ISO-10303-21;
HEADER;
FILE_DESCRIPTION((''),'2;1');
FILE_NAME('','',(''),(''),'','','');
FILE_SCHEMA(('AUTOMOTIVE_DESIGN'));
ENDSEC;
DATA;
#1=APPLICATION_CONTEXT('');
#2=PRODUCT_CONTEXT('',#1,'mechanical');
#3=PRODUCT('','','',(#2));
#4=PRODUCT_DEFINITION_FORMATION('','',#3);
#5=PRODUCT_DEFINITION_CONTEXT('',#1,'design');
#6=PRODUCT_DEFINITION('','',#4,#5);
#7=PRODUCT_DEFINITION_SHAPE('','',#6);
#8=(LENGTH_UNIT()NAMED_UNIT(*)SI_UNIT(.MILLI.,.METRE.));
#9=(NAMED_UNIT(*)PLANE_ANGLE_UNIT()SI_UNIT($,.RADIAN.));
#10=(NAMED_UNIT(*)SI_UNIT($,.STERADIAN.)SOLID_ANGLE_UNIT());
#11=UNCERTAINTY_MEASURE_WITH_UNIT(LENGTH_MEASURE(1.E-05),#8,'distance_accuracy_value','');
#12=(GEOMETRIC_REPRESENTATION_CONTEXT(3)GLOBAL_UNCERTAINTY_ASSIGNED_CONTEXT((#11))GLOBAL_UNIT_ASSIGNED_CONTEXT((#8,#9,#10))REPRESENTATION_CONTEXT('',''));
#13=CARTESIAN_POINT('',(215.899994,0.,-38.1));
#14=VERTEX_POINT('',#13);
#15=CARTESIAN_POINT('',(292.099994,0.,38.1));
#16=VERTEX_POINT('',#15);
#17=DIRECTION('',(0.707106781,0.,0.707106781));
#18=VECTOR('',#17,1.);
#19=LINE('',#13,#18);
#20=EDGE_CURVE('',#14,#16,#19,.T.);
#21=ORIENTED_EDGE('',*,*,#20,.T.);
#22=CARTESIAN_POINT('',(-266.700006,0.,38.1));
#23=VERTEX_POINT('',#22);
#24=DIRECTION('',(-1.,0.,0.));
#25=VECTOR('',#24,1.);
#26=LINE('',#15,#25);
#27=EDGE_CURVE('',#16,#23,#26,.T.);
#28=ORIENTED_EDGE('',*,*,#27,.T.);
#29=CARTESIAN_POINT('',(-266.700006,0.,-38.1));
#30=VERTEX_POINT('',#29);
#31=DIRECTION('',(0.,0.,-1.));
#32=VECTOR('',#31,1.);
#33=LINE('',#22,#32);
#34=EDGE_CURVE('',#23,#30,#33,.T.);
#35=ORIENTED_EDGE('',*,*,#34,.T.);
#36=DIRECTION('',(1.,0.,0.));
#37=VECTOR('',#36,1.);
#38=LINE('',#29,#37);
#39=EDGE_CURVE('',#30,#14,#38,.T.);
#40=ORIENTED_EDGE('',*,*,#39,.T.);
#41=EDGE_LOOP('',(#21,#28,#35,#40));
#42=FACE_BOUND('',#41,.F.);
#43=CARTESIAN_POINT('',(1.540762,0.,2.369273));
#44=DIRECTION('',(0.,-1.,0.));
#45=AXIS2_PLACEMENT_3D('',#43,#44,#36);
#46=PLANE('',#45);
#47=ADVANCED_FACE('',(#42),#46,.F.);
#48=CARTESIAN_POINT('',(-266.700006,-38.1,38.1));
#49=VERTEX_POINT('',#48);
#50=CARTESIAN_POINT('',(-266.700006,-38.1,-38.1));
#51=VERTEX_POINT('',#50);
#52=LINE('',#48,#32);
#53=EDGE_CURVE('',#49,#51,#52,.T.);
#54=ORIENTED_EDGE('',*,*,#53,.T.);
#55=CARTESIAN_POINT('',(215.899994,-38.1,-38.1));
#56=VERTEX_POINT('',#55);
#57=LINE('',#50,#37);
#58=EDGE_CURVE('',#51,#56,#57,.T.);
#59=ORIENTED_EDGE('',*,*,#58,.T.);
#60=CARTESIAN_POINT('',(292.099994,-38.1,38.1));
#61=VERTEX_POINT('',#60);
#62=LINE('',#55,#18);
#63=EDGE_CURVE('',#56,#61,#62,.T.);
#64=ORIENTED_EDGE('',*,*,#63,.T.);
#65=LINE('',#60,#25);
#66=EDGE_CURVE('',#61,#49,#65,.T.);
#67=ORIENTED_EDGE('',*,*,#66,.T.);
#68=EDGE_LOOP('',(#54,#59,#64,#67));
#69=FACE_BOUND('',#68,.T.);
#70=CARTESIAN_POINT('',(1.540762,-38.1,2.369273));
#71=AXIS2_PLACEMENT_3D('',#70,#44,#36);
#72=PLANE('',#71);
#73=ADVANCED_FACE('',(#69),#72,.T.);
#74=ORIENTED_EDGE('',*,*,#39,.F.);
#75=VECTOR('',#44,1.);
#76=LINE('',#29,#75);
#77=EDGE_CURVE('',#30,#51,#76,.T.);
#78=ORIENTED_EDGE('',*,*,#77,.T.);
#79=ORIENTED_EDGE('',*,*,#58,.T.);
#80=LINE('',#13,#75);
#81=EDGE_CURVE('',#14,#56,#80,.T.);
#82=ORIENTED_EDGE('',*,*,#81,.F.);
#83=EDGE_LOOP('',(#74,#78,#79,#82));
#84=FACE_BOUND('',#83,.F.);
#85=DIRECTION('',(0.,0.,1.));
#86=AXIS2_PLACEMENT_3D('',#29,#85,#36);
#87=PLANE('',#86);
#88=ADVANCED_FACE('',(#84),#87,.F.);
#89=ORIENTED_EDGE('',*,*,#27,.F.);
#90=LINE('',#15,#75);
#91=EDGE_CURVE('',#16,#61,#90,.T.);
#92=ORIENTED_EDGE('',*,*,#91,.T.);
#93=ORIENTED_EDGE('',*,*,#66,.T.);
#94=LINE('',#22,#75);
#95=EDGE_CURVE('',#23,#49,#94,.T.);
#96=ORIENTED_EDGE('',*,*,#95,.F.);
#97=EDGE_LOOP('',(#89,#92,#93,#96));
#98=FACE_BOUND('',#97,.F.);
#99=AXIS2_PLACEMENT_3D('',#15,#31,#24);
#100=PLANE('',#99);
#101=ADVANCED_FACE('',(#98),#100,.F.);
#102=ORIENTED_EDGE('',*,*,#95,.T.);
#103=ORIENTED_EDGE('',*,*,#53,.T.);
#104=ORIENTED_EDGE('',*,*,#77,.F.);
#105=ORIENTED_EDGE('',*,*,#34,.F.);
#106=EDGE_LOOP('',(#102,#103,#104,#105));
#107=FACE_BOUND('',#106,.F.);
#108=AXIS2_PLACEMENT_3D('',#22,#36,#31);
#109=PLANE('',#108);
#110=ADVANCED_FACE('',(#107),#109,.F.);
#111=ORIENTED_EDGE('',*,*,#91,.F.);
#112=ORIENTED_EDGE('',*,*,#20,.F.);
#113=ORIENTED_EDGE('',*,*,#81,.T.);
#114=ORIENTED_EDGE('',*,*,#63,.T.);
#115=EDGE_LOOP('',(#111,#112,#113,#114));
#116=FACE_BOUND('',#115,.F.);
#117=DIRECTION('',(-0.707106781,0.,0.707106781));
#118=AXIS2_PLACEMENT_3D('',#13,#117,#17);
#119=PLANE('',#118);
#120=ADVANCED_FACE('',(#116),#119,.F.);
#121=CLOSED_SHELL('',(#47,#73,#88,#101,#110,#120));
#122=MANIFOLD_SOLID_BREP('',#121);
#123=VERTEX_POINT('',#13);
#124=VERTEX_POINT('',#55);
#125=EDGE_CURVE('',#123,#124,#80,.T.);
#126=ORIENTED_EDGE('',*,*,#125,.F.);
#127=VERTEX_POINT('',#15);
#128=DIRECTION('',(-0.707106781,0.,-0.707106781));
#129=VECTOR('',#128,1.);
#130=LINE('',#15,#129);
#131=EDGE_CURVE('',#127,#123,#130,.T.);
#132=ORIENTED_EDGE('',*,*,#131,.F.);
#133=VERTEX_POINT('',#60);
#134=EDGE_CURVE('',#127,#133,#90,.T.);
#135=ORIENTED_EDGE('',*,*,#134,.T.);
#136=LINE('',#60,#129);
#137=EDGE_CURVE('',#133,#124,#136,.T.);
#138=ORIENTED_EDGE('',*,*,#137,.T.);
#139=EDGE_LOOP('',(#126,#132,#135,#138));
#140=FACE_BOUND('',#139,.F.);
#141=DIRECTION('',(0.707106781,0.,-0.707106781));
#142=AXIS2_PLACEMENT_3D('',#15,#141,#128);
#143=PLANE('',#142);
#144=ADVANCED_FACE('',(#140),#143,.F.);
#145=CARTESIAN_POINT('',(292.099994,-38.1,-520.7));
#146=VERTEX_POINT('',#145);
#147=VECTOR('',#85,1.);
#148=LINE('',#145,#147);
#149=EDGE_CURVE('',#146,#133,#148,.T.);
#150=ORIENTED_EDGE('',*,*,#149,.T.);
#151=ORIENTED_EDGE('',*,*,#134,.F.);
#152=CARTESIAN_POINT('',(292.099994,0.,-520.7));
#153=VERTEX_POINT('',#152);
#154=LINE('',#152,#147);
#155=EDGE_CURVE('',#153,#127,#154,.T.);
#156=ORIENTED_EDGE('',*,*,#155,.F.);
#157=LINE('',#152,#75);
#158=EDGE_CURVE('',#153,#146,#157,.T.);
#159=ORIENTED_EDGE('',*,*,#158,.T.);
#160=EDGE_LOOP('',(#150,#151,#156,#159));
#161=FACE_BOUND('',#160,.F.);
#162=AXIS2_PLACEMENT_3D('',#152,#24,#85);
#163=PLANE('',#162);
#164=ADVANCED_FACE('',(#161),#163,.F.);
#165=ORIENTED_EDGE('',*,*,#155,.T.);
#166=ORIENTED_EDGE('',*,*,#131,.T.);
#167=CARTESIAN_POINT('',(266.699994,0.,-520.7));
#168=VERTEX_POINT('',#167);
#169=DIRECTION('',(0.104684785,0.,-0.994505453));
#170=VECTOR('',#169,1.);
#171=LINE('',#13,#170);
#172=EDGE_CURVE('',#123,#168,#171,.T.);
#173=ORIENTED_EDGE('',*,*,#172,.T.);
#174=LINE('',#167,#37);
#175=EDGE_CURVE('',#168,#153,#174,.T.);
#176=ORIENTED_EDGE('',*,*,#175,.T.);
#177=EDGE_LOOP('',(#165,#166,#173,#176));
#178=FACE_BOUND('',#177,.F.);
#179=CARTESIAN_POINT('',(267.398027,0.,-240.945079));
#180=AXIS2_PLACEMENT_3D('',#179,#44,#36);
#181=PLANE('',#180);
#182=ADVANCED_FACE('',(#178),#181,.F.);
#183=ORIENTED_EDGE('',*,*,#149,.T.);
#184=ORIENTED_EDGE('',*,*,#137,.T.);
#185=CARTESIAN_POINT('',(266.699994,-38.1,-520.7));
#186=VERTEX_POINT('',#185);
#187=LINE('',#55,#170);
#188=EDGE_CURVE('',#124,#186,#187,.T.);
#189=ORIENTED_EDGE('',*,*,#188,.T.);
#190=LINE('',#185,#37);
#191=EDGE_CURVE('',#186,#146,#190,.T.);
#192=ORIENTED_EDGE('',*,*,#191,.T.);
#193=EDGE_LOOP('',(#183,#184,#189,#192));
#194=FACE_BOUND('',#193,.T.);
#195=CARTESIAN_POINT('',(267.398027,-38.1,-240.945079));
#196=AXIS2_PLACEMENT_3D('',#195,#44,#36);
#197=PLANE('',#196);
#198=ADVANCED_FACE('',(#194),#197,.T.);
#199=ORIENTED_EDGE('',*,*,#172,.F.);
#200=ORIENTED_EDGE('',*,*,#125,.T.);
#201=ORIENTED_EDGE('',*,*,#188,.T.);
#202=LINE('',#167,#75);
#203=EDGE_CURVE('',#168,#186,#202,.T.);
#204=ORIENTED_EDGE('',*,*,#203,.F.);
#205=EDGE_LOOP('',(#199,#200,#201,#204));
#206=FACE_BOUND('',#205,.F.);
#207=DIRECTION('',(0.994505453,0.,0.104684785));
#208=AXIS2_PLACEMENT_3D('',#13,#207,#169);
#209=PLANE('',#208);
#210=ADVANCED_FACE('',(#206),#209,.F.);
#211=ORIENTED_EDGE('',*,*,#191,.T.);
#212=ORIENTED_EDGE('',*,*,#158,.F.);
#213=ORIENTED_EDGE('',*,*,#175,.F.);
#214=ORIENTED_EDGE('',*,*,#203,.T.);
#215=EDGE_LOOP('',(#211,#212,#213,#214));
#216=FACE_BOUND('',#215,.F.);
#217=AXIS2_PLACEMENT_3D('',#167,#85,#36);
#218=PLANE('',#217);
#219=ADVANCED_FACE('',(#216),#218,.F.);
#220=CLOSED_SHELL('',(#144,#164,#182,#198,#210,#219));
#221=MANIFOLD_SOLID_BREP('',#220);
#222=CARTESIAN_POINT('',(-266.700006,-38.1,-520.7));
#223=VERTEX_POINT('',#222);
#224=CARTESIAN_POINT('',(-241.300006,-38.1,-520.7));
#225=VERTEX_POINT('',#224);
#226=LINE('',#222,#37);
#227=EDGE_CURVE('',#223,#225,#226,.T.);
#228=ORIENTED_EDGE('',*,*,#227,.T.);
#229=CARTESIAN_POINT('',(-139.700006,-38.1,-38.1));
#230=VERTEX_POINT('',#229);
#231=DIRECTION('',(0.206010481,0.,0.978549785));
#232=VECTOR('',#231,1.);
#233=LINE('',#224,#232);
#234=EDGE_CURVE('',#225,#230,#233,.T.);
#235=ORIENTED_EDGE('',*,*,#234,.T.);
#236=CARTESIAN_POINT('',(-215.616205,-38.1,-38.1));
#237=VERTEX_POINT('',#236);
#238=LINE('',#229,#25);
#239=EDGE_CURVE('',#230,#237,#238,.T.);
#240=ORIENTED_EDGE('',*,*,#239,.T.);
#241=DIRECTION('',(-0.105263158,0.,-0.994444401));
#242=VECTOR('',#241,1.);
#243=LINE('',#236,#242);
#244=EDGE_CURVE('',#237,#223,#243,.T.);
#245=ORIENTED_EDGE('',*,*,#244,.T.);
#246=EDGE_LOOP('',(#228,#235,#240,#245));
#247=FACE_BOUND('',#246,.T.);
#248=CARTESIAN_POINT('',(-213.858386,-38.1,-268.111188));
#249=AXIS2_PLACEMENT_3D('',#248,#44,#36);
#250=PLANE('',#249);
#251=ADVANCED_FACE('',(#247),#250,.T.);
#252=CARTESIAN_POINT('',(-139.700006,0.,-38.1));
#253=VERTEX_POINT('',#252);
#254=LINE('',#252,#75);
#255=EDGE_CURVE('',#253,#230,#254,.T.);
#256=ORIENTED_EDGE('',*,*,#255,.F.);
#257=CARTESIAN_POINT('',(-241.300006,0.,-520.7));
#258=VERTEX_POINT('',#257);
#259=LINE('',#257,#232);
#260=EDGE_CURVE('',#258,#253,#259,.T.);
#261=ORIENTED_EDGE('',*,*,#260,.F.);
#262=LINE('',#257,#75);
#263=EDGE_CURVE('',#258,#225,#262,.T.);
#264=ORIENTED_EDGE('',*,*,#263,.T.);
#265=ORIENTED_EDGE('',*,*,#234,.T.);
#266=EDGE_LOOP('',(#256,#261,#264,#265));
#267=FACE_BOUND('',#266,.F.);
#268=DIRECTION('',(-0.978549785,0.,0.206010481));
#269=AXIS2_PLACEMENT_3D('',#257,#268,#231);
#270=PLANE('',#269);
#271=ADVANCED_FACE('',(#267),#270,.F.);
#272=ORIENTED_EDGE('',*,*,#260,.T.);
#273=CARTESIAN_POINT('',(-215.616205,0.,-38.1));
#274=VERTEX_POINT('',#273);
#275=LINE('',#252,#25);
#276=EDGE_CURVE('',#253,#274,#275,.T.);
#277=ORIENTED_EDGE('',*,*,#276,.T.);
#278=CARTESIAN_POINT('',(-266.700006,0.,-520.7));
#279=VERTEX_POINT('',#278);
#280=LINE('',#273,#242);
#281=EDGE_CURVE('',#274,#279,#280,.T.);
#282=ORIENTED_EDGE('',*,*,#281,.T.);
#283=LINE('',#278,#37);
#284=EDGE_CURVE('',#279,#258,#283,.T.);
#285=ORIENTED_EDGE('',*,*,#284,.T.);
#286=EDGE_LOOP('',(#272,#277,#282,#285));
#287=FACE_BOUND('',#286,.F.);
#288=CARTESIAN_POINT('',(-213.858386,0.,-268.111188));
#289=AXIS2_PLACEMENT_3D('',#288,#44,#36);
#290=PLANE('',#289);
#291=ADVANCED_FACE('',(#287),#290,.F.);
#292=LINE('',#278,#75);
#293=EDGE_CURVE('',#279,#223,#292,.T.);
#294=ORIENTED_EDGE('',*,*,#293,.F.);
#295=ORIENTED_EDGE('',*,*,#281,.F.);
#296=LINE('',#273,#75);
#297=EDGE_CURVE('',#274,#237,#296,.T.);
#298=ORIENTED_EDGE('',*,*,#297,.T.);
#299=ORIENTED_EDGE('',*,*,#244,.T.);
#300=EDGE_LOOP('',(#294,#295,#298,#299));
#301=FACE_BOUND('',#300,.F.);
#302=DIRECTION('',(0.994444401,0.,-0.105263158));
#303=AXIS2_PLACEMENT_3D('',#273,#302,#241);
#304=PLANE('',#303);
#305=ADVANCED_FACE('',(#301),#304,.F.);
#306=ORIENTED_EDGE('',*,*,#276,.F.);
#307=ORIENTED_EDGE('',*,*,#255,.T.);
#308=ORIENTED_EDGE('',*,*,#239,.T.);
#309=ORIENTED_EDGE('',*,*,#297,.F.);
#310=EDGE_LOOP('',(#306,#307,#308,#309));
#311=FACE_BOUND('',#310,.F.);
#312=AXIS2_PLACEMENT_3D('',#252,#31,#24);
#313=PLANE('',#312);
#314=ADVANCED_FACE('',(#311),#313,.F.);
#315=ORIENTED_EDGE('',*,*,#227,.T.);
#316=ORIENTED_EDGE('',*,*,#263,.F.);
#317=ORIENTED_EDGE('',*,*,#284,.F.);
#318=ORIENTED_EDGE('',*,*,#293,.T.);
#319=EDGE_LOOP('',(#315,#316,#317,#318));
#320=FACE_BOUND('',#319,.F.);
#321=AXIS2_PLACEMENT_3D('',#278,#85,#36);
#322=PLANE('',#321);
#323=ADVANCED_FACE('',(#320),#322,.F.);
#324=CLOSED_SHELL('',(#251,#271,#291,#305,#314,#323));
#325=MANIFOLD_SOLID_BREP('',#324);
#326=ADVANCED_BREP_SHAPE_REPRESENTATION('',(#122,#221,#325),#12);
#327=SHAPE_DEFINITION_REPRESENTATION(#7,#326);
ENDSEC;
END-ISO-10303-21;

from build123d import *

# Parameters (mm, degrees)
F1_DEPTH = 38.1
F2_DEPTH = 38.1


with BuildPart() as f1:
    # F0 (on Front) → F1 (new body)
    with BuildSketch(Plane.XZ):
        Polygon((-139.700006, -38.1), (215.899994, -38.1), (292.099994, 38.1), (-266.700006, 38.1), (-266.700006, -38.1), (-215.616205, -38.1), align=None)
    extrude(amount=F1_DEPTH)


with BuildPart() as f2:
    # F0 (on Front) → F2 (new body)
    with BuildSketch(Plane.XZ):
        Polygon((-241.300006, -520.7), (-139.700006, -38.1), (-215.616205, -38.1), (-266.700006, -520.7), align=None)
        Polygon((292.099994, 38.1), (215.899994, -38.1), (266.699994, -520.7), (292.099994, -520.7), (292.099994, -38.1), align=None)
    extrude(amount=F2_DEPTH)


solid = Compound([f1.part, f2.part])
